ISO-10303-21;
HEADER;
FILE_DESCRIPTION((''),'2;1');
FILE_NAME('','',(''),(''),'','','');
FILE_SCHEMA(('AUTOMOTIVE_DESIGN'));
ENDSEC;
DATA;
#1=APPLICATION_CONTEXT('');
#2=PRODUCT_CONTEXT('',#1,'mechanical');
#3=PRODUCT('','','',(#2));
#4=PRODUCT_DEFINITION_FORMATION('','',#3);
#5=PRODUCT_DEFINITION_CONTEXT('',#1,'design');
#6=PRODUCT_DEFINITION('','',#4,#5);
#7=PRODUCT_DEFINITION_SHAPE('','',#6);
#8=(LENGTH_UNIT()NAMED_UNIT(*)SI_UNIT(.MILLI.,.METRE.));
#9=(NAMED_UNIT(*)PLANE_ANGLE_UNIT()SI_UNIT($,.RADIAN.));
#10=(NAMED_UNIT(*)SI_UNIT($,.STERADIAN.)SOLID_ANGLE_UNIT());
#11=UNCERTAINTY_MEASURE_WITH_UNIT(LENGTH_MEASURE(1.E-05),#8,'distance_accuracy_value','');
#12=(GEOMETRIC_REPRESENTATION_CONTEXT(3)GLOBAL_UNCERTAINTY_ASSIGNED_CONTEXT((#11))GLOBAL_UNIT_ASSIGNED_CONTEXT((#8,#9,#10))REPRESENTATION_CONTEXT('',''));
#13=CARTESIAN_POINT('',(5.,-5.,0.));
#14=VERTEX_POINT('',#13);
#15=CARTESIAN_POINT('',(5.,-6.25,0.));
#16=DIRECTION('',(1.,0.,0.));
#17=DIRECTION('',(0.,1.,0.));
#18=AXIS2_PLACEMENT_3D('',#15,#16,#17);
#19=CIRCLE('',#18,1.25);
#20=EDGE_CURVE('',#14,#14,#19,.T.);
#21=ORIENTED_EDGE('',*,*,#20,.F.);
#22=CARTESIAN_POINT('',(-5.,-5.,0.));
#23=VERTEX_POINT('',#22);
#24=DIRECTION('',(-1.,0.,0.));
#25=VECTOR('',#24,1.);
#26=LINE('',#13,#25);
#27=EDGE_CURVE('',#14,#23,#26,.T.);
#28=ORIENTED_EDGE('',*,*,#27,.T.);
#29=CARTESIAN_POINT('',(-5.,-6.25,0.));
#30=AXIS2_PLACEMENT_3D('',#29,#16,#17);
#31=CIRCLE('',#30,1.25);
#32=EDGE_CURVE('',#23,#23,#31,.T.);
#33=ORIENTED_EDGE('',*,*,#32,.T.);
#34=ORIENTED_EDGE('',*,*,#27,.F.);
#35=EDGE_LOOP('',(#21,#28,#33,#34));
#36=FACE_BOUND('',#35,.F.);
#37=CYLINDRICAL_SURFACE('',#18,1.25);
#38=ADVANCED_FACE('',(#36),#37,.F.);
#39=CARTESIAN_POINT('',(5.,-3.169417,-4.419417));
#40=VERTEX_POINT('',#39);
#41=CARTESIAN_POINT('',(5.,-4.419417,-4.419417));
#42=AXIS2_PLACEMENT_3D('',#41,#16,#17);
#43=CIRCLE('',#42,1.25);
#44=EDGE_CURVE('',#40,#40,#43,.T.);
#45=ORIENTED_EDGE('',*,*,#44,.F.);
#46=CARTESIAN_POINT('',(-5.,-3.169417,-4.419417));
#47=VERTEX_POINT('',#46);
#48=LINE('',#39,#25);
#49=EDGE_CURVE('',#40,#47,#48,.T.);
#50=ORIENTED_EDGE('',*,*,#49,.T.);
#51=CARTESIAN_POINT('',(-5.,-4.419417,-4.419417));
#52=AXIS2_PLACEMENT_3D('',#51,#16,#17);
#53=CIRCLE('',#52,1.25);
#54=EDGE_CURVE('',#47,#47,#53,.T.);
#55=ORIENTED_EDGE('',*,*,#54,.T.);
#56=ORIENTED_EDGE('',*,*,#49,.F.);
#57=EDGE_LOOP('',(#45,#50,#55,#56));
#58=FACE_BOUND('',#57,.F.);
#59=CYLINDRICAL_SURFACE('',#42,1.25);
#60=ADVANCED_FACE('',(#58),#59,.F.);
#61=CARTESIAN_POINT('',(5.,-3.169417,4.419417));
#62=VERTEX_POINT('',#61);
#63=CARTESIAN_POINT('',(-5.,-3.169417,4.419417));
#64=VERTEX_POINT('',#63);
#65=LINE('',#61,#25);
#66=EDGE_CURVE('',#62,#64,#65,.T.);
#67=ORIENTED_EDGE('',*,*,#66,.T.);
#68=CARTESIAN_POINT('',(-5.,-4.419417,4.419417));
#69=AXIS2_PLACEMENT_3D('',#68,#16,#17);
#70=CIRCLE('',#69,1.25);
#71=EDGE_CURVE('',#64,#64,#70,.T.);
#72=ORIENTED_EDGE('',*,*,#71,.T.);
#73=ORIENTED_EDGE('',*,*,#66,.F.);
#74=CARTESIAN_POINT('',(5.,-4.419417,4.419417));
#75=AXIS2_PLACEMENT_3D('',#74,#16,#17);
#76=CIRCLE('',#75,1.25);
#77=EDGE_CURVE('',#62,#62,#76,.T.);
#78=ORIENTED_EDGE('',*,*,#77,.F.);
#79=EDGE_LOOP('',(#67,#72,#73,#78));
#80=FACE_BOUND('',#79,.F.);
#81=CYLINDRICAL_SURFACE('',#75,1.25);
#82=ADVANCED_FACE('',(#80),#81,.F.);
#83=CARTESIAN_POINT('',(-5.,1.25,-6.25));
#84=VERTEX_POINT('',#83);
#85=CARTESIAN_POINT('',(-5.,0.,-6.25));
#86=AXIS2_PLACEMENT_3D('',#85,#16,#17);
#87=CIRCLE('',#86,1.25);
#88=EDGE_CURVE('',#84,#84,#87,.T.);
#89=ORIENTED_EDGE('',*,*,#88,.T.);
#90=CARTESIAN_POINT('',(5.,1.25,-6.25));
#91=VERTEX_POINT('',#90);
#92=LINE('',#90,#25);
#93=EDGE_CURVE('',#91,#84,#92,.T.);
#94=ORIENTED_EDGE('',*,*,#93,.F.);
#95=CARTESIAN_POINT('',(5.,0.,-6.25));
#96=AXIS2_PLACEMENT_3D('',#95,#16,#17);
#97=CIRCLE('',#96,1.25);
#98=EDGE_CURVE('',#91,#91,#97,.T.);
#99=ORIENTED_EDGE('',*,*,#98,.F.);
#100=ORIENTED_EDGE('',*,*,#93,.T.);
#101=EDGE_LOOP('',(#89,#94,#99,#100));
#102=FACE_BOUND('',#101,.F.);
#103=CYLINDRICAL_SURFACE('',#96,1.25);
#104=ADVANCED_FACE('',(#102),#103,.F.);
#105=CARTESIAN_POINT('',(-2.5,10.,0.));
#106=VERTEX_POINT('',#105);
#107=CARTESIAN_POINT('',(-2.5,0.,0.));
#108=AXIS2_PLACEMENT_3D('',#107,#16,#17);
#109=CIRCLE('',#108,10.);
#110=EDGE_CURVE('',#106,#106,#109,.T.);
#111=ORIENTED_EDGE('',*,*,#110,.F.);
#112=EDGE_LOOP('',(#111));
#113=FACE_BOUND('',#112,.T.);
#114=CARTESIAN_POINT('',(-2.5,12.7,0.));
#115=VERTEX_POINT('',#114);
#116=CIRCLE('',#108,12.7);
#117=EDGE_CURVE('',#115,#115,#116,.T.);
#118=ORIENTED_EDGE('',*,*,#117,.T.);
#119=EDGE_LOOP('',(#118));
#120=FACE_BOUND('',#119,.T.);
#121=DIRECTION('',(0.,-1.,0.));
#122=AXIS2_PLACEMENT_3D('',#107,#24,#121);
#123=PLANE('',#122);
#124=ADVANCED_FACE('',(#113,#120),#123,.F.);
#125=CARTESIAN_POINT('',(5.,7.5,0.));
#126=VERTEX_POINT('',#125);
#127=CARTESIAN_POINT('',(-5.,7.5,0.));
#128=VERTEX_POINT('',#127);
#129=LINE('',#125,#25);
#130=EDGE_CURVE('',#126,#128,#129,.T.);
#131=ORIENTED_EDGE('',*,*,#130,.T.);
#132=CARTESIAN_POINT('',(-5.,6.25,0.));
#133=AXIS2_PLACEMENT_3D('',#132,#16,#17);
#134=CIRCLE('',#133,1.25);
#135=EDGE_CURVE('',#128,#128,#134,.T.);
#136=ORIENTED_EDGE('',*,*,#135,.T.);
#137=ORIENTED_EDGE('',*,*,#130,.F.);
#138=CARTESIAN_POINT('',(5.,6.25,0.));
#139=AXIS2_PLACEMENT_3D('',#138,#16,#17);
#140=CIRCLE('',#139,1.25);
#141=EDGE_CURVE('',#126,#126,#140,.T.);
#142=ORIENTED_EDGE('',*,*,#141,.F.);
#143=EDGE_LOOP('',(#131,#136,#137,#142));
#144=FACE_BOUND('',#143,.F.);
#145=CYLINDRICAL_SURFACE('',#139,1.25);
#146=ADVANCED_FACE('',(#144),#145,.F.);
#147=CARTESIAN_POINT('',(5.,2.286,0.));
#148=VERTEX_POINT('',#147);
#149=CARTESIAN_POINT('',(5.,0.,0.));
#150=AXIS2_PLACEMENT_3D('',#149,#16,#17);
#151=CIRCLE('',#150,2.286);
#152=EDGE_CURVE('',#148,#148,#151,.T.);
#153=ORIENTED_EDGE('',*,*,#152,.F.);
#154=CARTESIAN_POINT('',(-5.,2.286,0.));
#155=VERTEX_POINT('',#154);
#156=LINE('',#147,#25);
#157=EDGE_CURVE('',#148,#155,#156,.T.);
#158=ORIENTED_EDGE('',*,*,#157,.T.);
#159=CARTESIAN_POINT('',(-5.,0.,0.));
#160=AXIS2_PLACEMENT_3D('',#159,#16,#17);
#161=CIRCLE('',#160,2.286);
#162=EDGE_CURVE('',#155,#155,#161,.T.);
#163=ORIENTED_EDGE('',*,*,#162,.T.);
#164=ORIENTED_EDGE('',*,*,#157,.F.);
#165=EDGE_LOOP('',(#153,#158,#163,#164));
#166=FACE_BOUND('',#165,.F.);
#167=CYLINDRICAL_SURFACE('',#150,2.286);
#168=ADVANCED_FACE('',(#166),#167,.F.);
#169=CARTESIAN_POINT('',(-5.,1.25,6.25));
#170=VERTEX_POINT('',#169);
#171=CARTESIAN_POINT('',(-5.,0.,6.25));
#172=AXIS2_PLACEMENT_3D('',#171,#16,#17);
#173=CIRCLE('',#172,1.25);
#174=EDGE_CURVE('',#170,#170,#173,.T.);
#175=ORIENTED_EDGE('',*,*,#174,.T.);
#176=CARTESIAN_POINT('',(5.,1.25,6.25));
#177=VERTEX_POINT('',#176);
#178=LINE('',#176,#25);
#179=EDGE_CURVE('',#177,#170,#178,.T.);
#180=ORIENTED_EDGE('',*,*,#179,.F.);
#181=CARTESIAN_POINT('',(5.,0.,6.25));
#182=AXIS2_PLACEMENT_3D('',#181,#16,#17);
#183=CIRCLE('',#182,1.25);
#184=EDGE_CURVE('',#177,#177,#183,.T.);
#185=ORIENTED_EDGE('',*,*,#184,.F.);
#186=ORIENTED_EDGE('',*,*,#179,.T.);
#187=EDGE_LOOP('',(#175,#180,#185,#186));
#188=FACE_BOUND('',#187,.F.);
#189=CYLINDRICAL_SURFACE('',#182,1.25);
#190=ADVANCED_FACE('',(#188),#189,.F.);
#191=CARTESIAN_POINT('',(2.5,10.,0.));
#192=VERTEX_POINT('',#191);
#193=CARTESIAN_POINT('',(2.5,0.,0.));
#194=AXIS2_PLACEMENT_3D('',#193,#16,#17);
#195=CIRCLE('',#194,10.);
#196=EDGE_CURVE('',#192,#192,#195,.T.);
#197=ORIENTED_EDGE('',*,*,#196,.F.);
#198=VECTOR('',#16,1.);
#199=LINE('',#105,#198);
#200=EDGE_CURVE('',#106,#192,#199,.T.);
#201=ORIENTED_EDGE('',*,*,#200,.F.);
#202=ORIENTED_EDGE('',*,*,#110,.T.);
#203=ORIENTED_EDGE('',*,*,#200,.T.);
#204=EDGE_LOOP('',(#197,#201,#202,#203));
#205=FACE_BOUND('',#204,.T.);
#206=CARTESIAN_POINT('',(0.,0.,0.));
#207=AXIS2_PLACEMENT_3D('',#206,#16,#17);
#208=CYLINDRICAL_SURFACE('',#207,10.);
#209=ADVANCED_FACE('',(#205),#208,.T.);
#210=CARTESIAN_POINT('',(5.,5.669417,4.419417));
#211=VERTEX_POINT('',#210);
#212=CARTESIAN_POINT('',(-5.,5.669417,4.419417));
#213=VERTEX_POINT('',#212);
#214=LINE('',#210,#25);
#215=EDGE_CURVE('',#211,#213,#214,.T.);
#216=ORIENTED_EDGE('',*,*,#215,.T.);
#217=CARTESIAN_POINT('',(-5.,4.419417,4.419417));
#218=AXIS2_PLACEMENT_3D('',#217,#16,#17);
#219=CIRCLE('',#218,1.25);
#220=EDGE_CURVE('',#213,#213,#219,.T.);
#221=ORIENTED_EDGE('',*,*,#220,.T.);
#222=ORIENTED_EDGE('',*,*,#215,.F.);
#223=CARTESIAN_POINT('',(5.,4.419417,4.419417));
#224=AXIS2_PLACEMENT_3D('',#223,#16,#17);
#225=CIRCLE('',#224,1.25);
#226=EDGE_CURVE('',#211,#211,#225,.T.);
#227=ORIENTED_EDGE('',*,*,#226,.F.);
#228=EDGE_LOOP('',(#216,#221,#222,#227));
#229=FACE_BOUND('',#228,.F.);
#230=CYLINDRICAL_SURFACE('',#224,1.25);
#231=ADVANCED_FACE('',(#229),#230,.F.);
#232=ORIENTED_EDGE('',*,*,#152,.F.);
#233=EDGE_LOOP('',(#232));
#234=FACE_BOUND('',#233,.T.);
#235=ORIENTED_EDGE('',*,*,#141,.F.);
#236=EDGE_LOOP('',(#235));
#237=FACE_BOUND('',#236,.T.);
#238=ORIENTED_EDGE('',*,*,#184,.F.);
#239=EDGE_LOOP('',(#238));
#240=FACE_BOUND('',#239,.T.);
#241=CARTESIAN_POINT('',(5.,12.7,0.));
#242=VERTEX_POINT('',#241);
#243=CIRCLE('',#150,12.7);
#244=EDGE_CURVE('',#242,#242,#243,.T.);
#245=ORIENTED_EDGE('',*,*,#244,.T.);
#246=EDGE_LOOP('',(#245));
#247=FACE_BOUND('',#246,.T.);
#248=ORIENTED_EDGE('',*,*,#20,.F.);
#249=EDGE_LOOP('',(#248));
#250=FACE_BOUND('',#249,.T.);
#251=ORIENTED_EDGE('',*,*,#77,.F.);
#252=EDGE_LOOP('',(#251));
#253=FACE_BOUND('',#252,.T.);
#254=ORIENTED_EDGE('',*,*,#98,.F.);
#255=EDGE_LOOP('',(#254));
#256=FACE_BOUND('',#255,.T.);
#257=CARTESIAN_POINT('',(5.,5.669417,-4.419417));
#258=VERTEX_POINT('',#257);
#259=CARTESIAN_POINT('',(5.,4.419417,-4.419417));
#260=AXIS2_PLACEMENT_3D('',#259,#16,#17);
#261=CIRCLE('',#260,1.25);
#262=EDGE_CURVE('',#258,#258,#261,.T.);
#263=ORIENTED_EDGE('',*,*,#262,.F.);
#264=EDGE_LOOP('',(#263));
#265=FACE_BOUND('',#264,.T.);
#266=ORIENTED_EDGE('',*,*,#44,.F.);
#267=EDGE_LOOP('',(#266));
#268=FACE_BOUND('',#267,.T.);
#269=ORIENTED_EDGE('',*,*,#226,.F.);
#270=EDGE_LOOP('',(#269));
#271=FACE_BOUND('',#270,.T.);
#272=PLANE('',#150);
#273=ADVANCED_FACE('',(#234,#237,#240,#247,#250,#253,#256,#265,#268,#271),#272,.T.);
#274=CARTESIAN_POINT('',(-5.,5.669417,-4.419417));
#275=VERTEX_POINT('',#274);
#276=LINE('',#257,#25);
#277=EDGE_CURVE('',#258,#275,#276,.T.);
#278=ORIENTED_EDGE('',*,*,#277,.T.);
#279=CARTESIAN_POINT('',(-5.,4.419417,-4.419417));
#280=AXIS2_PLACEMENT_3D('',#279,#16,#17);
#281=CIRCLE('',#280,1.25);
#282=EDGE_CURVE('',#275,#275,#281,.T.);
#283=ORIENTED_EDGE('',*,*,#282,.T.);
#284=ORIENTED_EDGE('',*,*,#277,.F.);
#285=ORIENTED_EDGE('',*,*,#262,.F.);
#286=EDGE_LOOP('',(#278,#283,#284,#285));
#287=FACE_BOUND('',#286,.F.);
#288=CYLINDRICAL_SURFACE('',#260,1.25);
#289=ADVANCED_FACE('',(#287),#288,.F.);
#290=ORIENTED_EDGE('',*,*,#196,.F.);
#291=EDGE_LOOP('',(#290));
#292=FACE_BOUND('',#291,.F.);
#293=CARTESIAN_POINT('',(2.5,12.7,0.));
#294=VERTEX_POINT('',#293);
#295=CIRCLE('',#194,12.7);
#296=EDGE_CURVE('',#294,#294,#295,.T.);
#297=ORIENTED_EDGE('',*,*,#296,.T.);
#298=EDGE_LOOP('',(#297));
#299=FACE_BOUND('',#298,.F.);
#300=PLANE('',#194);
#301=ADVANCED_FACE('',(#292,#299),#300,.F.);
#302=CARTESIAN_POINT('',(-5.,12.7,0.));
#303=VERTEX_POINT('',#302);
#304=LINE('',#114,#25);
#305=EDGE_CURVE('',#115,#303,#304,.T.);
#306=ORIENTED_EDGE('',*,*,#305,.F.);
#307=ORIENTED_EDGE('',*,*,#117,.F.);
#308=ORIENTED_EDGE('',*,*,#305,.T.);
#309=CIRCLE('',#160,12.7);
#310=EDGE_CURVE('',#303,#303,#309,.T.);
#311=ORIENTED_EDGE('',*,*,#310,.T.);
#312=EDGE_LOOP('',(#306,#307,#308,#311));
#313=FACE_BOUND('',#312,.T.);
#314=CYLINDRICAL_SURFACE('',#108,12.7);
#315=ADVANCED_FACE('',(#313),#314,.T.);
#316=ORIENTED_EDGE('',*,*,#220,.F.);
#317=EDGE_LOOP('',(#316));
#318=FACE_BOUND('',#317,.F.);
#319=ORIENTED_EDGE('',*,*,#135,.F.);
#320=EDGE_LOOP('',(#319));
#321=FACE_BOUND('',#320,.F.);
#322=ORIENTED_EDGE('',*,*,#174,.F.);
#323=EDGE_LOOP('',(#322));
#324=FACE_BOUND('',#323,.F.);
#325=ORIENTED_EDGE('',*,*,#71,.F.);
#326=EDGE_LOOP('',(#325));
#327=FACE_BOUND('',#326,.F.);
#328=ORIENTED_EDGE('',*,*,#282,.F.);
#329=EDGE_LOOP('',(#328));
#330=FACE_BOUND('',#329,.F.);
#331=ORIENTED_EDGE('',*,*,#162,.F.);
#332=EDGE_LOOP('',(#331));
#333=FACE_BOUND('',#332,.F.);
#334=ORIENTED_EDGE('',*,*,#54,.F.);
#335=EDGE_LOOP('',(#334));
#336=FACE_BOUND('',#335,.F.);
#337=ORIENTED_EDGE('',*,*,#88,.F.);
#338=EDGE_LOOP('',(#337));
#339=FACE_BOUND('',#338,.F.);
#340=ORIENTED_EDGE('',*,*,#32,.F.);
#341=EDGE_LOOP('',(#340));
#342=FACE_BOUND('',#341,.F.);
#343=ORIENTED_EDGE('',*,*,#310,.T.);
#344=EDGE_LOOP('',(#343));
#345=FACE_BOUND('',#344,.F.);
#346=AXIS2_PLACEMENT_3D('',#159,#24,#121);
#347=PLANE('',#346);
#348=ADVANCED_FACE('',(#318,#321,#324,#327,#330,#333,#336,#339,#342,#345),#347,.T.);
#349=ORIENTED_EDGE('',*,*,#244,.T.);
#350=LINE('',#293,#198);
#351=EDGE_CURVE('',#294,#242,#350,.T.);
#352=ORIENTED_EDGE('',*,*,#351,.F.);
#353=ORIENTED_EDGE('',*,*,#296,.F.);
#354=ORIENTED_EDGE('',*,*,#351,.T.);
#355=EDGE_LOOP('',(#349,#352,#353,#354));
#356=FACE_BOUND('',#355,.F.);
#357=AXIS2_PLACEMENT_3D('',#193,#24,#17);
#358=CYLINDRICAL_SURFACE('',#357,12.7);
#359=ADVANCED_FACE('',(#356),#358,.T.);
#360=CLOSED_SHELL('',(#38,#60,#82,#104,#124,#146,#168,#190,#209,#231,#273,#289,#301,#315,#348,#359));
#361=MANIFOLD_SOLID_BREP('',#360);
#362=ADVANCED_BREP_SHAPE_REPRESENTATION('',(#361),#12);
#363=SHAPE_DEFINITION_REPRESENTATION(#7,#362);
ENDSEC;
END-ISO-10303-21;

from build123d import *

# Parameters (mm, degrees)
F0_R     = 10
F1_DEPTH = 2.5
F2_R     = 12.7
F3_DEPTH = 2.5
F5_R     = 2.286
F6_DEPTH = 10.001
F7_R     = 1.25
F8_DEPTH = 10.001


with BuildPart() as f1:
    # F0 (on Right) → F1 (new body)
    with BuildSketch(Plane.YZ):
        Circle(F0_R)
    extrude(amount=F1_DEPTH)

    # F2 (on face) → F3 (join)
    with BuildSketch(Plane.YZ.offset(2.5)):
        Circle(F2_R)
    extrude(amount=F3_DEPTH)

    # F4: F1 across face


with BuildPart() as f1_1:
    add(f1.part)
    add(f1.part.mirror(Plane(origin=(0, 0, 0), x_dir=(0, 1, 0), z_dir=(-1, 0, 0))))

    # F5 (on face) → F6 (cut, through all)
    with BuildSketch(Plane.YZ.offset(5)):
        Circle(F5_R)
    extrude(amount=-F6_DEPTH, mode=Mode.SUBTRACT)

    # F7 (on face) → F8 (cut, through all)
    with BuildSketch(Plane.YZ.offset(5)):
        with Locations((0, 6.25)):
            Circle(F7_R)
        with Locations((6.25, 0)):
            Circle(F7_R)
        with Locations((0, -6.25)):
            Circle(F7_R)
        with Locations((-6.25, 0)):
            Circle(F7_R)
        with Locations((-4.419417, -4.419417)):
            Circle(F7_R)
        with Locations((4.419417, -4.419417)):
            Circle(F7_R)
        with Locations((-4.419417, 4.419417)):
            Circle(F7_R)
        with Locations((4.419417, 4.419417)):
            Circle(F7_R)
    extrude(amount=-F8_DEPTH, mode=Mode.SUBTRACT)


solid = f1_1.part
